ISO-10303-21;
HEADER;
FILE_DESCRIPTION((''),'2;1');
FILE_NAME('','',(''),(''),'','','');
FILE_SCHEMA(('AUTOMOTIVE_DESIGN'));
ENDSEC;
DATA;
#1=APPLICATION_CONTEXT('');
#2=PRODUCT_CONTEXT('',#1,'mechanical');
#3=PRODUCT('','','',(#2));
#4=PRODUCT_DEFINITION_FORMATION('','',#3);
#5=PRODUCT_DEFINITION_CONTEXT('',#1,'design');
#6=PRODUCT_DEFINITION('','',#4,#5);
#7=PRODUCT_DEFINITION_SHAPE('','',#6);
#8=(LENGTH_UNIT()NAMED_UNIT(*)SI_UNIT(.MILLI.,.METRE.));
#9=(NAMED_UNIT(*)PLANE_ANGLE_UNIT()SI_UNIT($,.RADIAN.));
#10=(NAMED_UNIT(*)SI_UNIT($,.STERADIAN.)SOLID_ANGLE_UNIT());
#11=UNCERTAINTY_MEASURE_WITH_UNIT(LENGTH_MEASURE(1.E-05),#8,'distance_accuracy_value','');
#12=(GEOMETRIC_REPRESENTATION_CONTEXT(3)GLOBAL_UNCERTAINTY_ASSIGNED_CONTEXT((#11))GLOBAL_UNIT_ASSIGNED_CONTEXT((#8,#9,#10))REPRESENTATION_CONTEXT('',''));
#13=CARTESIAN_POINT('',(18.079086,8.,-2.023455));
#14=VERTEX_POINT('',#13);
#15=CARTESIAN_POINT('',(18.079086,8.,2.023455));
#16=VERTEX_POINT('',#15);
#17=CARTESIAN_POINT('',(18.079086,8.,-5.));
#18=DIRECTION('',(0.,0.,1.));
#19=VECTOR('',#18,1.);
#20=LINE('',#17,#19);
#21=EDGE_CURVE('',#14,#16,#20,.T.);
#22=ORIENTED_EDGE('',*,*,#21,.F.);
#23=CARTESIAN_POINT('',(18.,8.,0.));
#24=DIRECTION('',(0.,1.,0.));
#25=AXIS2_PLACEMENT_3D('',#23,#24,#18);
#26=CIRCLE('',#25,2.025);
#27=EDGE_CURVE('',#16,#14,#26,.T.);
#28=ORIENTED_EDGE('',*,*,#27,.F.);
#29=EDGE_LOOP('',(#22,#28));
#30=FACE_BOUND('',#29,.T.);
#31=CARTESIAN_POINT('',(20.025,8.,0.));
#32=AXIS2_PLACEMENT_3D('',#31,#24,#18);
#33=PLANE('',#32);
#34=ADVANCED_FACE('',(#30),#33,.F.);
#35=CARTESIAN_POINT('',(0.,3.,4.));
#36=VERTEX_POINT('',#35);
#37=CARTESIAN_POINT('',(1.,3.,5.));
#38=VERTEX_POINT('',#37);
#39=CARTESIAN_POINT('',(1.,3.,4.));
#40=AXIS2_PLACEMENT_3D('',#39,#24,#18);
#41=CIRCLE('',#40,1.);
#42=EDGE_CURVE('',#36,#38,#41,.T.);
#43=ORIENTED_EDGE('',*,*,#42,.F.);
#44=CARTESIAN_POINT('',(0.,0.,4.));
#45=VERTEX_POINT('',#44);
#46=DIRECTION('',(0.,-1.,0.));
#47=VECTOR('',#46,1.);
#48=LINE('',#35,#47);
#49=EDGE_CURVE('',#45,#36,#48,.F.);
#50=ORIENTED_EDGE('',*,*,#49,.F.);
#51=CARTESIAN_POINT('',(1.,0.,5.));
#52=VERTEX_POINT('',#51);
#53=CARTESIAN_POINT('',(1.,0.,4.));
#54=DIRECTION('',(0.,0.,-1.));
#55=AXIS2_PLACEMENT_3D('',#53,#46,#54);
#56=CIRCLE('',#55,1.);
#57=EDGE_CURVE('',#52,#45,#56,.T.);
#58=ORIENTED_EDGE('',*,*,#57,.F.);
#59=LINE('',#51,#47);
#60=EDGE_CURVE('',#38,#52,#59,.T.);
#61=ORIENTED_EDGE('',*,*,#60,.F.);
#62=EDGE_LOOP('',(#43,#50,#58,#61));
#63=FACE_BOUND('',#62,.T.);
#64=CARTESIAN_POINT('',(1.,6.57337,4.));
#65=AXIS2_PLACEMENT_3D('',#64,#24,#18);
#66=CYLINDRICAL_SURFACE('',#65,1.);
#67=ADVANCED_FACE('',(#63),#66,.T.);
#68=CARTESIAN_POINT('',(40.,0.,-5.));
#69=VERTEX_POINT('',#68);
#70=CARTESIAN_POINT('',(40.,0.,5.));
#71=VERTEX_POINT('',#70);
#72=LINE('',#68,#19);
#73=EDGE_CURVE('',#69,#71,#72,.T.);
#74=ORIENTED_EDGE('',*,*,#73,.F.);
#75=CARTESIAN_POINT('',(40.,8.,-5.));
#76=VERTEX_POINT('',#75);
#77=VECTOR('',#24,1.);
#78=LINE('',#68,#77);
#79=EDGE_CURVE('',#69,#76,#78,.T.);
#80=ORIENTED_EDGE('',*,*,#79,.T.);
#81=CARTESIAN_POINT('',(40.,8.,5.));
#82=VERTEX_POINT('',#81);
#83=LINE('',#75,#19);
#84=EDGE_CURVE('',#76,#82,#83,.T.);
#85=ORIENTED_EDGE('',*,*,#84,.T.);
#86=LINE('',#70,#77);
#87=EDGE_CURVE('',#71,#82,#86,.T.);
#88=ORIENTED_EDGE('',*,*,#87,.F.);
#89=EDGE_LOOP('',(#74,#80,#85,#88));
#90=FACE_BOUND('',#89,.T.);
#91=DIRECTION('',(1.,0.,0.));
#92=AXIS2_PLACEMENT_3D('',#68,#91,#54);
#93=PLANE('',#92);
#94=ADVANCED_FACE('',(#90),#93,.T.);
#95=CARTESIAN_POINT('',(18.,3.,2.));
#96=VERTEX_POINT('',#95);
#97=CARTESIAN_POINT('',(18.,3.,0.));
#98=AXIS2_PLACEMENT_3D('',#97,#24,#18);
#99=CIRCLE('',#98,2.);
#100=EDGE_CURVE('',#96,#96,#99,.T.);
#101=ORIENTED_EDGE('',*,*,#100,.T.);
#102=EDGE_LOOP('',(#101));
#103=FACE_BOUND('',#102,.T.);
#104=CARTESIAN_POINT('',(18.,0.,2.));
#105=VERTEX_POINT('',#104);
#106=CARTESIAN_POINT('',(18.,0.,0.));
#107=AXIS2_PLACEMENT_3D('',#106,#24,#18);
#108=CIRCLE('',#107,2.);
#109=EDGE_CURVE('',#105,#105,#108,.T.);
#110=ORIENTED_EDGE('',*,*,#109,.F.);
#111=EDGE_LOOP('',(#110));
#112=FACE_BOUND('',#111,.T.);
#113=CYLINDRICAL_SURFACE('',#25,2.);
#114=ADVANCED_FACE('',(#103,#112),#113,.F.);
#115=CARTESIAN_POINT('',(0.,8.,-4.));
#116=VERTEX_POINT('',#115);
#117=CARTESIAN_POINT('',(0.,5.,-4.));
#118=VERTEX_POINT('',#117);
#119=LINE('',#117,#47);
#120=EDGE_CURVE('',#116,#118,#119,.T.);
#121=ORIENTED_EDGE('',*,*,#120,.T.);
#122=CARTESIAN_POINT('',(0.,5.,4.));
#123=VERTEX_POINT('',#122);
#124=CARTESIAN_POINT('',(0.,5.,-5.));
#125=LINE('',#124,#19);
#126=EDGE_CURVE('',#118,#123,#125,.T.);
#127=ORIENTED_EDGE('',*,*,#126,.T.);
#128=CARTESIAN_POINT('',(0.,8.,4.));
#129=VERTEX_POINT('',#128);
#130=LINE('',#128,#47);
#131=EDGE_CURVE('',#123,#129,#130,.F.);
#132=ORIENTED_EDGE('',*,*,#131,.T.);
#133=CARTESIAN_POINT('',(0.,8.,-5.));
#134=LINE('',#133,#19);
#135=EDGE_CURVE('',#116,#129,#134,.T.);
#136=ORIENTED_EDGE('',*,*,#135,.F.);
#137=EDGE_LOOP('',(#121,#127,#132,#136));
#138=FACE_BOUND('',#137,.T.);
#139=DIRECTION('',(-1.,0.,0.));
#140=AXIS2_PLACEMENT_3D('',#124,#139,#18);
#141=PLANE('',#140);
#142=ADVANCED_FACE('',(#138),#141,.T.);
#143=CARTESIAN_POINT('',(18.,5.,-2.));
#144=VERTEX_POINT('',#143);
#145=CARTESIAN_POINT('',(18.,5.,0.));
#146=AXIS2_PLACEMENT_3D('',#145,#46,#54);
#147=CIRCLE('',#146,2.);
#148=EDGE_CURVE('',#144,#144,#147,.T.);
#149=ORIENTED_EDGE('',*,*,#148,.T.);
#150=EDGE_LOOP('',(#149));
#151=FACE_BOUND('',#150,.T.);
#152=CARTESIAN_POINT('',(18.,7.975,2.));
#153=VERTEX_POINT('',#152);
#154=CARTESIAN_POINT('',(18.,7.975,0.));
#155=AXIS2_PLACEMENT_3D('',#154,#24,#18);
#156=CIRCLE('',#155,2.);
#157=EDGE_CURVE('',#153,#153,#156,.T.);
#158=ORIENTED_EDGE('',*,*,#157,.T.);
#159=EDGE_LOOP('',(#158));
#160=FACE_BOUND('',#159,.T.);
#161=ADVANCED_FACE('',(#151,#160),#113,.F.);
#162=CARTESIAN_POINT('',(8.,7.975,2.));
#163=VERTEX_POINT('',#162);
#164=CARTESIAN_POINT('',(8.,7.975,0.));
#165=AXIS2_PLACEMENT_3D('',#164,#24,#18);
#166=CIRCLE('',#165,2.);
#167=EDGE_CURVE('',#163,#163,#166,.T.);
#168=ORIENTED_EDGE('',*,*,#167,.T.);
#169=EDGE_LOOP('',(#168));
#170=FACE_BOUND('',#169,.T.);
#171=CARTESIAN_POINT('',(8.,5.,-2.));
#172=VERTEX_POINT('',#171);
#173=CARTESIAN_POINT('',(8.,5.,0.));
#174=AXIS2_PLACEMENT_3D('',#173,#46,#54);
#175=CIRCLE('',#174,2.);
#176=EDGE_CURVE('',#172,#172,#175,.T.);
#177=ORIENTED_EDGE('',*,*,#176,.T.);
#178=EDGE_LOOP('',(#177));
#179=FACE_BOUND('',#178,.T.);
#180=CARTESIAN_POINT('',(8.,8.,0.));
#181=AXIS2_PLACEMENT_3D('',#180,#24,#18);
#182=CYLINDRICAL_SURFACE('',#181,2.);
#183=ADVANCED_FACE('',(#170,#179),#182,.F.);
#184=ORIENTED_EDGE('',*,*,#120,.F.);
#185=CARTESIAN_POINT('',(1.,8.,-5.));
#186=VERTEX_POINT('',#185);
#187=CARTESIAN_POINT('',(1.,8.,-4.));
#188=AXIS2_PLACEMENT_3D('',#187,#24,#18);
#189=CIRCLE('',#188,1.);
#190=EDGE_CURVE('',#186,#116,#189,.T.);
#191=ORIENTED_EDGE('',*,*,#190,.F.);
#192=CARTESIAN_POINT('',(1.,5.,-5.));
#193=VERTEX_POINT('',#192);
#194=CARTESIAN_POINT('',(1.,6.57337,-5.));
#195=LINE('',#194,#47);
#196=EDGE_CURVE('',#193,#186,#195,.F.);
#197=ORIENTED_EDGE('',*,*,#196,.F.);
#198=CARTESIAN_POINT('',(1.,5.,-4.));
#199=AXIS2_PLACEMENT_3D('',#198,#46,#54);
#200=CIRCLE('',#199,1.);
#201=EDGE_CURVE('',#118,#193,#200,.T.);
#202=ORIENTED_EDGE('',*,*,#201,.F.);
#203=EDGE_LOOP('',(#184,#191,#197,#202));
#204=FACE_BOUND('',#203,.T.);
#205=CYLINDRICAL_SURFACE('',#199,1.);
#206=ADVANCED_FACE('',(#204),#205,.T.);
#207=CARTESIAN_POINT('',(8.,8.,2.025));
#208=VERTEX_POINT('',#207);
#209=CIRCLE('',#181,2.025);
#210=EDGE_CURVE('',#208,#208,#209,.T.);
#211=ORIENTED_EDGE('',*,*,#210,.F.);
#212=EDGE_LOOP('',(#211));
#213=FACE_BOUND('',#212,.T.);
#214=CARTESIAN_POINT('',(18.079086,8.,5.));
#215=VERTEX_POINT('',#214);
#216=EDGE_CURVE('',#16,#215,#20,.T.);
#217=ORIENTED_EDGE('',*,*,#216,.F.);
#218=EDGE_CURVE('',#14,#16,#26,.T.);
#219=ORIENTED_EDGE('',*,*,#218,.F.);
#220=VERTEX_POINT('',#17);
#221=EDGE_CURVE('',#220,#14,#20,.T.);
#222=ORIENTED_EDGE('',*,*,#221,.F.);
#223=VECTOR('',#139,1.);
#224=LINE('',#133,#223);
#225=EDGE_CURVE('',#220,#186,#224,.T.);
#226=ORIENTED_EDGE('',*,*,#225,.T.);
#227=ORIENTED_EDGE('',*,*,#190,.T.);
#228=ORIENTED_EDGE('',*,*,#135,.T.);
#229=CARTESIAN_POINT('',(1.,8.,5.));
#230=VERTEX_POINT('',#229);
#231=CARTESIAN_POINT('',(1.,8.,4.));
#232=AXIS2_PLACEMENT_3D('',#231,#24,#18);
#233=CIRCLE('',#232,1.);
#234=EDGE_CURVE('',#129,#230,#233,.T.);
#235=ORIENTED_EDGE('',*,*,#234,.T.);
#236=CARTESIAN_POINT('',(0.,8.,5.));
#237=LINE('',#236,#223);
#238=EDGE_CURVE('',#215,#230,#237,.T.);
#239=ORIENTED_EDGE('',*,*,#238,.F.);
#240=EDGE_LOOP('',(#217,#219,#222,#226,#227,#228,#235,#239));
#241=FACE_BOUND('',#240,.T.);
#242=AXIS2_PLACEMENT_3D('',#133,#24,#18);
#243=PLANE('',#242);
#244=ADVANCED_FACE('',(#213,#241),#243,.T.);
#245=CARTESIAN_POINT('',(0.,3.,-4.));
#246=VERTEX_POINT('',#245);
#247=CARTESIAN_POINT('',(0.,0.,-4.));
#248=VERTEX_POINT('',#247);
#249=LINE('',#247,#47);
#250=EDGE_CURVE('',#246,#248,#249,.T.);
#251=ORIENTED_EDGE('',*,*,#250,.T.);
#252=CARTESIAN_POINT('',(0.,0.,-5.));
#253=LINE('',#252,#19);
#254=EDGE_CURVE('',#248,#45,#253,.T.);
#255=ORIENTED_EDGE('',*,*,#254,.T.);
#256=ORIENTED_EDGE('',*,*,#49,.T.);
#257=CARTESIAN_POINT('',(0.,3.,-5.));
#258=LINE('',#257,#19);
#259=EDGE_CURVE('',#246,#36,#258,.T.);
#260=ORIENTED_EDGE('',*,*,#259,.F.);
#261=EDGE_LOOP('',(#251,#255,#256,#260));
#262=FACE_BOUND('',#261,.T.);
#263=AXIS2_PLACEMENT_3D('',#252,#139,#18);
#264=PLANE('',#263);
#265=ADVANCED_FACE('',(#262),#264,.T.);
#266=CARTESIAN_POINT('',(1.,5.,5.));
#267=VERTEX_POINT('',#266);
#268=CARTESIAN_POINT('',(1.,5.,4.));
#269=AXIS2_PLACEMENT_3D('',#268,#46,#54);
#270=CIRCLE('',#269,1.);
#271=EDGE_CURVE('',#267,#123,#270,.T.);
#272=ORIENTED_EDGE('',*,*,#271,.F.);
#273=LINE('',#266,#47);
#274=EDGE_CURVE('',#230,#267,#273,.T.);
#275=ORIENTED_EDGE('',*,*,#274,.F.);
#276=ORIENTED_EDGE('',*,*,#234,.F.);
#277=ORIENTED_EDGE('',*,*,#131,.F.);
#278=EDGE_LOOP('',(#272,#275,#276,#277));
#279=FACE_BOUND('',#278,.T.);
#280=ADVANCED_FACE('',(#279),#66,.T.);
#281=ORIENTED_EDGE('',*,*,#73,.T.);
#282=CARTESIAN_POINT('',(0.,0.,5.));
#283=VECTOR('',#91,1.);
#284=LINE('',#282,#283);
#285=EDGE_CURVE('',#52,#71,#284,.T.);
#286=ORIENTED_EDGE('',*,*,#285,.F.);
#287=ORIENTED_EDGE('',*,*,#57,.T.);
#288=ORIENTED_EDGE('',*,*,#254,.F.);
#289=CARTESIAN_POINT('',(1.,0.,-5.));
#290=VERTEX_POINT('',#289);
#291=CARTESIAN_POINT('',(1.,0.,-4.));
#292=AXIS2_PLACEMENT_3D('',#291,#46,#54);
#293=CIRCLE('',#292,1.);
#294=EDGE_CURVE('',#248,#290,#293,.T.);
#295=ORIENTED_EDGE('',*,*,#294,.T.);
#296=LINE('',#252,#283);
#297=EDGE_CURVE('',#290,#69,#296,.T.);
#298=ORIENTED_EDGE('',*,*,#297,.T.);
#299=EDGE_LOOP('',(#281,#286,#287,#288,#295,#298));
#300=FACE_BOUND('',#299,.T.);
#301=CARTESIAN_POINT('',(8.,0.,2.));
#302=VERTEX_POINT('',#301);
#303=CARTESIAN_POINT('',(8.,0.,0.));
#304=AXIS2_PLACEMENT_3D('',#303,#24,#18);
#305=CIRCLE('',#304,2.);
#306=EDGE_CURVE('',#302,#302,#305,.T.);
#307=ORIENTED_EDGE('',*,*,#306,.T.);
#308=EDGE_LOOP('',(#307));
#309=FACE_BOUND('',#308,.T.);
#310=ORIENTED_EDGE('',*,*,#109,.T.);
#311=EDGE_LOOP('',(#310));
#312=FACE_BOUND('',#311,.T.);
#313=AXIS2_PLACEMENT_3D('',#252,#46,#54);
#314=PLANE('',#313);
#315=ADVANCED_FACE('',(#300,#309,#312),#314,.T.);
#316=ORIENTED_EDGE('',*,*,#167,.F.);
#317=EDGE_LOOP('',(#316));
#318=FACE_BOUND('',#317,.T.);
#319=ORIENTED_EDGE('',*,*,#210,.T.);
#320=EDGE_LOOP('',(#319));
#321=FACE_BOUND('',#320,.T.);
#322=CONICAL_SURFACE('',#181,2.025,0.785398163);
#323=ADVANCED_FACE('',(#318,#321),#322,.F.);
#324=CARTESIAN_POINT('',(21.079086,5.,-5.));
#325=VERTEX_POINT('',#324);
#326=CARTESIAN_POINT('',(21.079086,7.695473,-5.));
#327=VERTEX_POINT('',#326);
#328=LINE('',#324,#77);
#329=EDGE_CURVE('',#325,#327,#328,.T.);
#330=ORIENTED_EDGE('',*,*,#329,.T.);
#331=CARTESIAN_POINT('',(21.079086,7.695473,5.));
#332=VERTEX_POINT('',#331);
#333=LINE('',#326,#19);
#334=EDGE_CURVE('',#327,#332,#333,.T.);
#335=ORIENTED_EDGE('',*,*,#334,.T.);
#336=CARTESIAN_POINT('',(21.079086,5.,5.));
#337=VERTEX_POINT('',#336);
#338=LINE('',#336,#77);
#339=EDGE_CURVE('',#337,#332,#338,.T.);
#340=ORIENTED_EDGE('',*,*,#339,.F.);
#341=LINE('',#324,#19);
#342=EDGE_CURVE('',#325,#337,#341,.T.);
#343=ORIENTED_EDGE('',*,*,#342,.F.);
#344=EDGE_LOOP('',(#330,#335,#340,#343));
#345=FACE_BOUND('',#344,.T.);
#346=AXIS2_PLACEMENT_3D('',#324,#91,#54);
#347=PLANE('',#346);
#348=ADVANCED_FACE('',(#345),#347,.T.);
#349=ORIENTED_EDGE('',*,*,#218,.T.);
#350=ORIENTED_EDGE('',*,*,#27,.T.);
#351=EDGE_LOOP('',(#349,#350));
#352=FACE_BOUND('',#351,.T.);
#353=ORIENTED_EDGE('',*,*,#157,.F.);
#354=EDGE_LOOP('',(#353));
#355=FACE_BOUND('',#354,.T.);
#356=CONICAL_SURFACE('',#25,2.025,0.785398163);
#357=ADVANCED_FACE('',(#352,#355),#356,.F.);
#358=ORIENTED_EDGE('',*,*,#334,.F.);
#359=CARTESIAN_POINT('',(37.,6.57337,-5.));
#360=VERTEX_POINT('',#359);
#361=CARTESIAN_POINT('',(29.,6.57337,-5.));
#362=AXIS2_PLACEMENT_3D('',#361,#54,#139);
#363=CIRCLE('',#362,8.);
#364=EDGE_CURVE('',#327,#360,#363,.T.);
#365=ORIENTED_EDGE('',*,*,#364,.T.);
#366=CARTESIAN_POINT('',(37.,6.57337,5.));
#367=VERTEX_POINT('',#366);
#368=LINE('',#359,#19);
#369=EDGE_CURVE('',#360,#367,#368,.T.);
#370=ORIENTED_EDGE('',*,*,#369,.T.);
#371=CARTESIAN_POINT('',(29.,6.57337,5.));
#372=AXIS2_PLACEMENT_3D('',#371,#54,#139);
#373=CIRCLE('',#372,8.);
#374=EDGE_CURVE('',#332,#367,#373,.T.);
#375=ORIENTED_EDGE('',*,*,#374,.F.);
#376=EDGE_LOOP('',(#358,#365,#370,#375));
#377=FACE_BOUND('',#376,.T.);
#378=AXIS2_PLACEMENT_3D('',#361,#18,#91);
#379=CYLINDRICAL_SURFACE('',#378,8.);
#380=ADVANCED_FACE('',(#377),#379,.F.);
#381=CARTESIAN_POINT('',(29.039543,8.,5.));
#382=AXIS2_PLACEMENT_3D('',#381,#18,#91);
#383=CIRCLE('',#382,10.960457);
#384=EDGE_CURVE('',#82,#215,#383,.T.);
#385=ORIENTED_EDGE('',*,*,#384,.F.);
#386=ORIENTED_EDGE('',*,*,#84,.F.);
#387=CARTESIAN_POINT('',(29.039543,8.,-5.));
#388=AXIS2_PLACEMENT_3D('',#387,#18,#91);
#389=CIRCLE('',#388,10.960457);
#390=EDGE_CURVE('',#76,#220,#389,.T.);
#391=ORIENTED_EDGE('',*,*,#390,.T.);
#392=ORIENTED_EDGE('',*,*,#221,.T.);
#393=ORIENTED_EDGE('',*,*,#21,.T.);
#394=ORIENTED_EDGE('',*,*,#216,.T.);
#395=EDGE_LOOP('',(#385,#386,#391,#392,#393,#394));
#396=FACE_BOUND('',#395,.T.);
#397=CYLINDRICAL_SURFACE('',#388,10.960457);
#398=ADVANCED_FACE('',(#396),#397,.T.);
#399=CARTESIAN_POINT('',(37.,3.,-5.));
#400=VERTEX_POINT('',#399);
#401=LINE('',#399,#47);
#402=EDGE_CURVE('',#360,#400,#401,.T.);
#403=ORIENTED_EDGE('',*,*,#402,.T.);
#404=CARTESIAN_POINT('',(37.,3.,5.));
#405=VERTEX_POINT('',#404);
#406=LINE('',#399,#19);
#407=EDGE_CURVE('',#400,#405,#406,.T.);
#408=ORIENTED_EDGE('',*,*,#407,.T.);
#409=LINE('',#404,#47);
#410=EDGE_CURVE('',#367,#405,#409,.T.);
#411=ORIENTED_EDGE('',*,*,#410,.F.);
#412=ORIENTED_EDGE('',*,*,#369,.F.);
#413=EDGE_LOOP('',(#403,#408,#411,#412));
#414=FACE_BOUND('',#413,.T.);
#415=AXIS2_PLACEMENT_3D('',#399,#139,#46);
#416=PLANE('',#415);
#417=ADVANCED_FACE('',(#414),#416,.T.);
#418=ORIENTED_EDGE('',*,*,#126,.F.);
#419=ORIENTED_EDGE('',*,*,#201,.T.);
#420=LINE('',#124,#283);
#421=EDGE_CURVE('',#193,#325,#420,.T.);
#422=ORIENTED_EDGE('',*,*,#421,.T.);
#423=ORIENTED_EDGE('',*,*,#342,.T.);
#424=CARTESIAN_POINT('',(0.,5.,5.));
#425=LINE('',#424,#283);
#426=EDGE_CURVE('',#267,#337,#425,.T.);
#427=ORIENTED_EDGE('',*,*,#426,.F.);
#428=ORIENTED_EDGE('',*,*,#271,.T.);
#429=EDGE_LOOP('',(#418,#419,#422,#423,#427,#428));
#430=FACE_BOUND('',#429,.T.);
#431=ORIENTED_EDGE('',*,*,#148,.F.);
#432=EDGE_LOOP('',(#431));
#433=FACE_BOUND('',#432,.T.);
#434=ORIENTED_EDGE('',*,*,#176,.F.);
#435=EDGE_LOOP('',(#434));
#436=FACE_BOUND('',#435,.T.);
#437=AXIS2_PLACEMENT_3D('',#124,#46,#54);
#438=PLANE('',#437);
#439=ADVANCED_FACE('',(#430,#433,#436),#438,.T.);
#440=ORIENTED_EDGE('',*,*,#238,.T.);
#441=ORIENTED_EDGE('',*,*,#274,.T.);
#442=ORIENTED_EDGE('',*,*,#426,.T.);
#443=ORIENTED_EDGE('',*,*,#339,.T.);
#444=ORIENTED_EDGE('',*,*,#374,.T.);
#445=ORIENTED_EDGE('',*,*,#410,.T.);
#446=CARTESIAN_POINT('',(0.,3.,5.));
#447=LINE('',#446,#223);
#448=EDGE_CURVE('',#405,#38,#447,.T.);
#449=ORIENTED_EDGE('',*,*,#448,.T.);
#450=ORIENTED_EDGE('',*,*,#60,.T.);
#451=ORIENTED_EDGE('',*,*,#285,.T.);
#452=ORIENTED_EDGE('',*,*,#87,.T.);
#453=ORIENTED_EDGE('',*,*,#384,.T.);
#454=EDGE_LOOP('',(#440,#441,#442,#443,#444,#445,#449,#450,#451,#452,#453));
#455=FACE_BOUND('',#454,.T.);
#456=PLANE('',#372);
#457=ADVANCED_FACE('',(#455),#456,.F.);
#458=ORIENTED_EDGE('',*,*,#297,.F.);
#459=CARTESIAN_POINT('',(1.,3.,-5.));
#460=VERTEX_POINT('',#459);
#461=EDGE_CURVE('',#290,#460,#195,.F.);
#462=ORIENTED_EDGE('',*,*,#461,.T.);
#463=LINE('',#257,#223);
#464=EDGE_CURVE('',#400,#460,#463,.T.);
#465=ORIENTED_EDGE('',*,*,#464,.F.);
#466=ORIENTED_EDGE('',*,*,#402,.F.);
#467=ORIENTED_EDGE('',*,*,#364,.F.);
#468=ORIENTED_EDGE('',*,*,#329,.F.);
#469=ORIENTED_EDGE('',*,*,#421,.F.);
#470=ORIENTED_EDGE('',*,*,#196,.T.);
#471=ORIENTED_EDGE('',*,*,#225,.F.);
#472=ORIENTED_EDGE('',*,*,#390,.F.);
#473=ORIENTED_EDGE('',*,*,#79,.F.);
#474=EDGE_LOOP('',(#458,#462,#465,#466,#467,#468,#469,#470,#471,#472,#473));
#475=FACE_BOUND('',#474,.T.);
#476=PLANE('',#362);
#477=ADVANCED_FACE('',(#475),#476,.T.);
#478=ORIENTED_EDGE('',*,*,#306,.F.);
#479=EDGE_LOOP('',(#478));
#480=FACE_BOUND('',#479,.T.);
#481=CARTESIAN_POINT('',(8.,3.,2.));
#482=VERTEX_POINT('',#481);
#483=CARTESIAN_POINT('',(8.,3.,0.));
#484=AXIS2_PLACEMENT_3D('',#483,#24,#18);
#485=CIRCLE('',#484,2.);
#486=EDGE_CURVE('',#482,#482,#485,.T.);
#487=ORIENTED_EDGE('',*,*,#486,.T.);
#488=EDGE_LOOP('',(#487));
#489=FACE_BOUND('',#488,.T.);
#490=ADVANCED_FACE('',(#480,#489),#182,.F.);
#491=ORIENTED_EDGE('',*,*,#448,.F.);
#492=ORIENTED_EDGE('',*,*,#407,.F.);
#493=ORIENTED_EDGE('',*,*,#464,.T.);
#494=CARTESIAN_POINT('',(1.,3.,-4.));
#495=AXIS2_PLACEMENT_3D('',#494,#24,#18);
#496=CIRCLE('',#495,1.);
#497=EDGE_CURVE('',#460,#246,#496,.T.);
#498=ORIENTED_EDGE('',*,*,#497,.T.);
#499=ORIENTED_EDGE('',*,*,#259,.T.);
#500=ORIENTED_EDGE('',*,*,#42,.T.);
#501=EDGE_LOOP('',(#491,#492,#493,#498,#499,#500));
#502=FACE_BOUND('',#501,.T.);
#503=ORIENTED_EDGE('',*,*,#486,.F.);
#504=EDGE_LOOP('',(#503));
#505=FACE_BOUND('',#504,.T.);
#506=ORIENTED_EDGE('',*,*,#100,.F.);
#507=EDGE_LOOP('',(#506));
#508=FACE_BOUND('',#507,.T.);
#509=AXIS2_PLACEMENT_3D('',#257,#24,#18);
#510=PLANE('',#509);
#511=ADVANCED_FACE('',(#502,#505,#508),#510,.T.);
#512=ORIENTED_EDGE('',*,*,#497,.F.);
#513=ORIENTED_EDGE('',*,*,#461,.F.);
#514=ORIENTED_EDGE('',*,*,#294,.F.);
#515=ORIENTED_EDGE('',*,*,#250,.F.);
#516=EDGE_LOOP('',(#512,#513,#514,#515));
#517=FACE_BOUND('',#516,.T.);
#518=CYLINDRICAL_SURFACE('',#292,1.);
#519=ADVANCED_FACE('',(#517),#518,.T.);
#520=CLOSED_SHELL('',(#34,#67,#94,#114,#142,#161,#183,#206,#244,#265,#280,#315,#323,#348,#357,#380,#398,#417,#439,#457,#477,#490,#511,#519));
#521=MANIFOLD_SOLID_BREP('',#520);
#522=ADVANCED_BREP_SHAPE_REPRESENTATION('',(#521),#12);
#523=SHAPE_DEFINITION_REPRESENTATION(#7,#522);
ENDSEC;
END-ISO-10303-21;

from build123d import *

# Parameters (mm, degrees)
BOSS_EXTRUDE1_DEPTH            = 5
BOSS_EXTRUDE1_DEPTH_BACK       = 5
FILLET1_R                      = 1
F_4_0MM_DOWEL_HOLE1_AT_2_COUNT = 2
F_4_0MM_DOWEL_HOLE1_AT_2_PITCH = 10


with BuildPart() as part:
    # Sketch1 → Boss-Extrude1 (new, two sides: drawn at the far end of the back side and taken through both)
    with BuildSketch(Plane.XY.offset(-BOSS_EXTRUDE1_DEPTH_BACK)):
        with BuildLine():
            Line((0, 0), (40, 0))
            Line((40, 0), (40, 8))
            ThreePointArc((40, 8), (29.039542787, 18.960457213), (18.079085573, 8))
            Line((18.079085573, 8), (0, 8))
            Line((0, 8), (0, 5))
            Line((0, 5), (21.079085573, 5))
            Line((21.079085573, 5), (21.079085573, 7.695472827))
            ThreePointArc((21.079085573, 7.695472827), (29.562443146, 14.553574165), (37, 6.57337005))
            Line((37, 6.57337005), (37, 3))
            Line((37, 3), (0, 3))
            Line((0, 3), (0, 0))
        make_face()
    extrude(amount=BOSS_EXTRUDE1_DEPTH + BOSS_EXTRUDE1_DEPTH_BACK)

    # Fillet1
    fillet1_edges = [part.edges().sort_by_distance(p)[0] for p in [
        (0, 1.5, 5),
        (0, 6.5, 5),
        (0, 1.5, -5),
        (0, 6.5, -5),
    ]]
    fillet(fillet1_edges, radius=FILLET1_R)

    # Sketch5 → Ø4.0mm Dowel Hole1 (revolve, cut)
    with BuildSketch(Plane(origin=(8, 8, 0), x_dir=(0, 0, 1), z_dir=(1, 0, 0))):
        Polygon((0, 0), (0, 8), (2, 8), (2, 0.025), (2.025, 0), align=None)
    f_4_0mm_dowel_hole1 = revolve(axis=Axis((8, 14.35, 0), (0, -1, 0)), mode=Mode.SUBTRACT)

    # Ø4.0mm Dowel Hole1 at 2: Ø4.0mm Dowel Hole1 ×2
    with Locations(*[(i * F_4_0MM_DOWEL_HOLE1_AT_2_PITCH, 0, 0) for i in range(1, F_4_0MM_DOWEL_HOLE1_AT_2_COUNT)]):
        add(f_4_0mm_dowel_hole1, mode=Mode.SUBTRACT)


solid = part.part
